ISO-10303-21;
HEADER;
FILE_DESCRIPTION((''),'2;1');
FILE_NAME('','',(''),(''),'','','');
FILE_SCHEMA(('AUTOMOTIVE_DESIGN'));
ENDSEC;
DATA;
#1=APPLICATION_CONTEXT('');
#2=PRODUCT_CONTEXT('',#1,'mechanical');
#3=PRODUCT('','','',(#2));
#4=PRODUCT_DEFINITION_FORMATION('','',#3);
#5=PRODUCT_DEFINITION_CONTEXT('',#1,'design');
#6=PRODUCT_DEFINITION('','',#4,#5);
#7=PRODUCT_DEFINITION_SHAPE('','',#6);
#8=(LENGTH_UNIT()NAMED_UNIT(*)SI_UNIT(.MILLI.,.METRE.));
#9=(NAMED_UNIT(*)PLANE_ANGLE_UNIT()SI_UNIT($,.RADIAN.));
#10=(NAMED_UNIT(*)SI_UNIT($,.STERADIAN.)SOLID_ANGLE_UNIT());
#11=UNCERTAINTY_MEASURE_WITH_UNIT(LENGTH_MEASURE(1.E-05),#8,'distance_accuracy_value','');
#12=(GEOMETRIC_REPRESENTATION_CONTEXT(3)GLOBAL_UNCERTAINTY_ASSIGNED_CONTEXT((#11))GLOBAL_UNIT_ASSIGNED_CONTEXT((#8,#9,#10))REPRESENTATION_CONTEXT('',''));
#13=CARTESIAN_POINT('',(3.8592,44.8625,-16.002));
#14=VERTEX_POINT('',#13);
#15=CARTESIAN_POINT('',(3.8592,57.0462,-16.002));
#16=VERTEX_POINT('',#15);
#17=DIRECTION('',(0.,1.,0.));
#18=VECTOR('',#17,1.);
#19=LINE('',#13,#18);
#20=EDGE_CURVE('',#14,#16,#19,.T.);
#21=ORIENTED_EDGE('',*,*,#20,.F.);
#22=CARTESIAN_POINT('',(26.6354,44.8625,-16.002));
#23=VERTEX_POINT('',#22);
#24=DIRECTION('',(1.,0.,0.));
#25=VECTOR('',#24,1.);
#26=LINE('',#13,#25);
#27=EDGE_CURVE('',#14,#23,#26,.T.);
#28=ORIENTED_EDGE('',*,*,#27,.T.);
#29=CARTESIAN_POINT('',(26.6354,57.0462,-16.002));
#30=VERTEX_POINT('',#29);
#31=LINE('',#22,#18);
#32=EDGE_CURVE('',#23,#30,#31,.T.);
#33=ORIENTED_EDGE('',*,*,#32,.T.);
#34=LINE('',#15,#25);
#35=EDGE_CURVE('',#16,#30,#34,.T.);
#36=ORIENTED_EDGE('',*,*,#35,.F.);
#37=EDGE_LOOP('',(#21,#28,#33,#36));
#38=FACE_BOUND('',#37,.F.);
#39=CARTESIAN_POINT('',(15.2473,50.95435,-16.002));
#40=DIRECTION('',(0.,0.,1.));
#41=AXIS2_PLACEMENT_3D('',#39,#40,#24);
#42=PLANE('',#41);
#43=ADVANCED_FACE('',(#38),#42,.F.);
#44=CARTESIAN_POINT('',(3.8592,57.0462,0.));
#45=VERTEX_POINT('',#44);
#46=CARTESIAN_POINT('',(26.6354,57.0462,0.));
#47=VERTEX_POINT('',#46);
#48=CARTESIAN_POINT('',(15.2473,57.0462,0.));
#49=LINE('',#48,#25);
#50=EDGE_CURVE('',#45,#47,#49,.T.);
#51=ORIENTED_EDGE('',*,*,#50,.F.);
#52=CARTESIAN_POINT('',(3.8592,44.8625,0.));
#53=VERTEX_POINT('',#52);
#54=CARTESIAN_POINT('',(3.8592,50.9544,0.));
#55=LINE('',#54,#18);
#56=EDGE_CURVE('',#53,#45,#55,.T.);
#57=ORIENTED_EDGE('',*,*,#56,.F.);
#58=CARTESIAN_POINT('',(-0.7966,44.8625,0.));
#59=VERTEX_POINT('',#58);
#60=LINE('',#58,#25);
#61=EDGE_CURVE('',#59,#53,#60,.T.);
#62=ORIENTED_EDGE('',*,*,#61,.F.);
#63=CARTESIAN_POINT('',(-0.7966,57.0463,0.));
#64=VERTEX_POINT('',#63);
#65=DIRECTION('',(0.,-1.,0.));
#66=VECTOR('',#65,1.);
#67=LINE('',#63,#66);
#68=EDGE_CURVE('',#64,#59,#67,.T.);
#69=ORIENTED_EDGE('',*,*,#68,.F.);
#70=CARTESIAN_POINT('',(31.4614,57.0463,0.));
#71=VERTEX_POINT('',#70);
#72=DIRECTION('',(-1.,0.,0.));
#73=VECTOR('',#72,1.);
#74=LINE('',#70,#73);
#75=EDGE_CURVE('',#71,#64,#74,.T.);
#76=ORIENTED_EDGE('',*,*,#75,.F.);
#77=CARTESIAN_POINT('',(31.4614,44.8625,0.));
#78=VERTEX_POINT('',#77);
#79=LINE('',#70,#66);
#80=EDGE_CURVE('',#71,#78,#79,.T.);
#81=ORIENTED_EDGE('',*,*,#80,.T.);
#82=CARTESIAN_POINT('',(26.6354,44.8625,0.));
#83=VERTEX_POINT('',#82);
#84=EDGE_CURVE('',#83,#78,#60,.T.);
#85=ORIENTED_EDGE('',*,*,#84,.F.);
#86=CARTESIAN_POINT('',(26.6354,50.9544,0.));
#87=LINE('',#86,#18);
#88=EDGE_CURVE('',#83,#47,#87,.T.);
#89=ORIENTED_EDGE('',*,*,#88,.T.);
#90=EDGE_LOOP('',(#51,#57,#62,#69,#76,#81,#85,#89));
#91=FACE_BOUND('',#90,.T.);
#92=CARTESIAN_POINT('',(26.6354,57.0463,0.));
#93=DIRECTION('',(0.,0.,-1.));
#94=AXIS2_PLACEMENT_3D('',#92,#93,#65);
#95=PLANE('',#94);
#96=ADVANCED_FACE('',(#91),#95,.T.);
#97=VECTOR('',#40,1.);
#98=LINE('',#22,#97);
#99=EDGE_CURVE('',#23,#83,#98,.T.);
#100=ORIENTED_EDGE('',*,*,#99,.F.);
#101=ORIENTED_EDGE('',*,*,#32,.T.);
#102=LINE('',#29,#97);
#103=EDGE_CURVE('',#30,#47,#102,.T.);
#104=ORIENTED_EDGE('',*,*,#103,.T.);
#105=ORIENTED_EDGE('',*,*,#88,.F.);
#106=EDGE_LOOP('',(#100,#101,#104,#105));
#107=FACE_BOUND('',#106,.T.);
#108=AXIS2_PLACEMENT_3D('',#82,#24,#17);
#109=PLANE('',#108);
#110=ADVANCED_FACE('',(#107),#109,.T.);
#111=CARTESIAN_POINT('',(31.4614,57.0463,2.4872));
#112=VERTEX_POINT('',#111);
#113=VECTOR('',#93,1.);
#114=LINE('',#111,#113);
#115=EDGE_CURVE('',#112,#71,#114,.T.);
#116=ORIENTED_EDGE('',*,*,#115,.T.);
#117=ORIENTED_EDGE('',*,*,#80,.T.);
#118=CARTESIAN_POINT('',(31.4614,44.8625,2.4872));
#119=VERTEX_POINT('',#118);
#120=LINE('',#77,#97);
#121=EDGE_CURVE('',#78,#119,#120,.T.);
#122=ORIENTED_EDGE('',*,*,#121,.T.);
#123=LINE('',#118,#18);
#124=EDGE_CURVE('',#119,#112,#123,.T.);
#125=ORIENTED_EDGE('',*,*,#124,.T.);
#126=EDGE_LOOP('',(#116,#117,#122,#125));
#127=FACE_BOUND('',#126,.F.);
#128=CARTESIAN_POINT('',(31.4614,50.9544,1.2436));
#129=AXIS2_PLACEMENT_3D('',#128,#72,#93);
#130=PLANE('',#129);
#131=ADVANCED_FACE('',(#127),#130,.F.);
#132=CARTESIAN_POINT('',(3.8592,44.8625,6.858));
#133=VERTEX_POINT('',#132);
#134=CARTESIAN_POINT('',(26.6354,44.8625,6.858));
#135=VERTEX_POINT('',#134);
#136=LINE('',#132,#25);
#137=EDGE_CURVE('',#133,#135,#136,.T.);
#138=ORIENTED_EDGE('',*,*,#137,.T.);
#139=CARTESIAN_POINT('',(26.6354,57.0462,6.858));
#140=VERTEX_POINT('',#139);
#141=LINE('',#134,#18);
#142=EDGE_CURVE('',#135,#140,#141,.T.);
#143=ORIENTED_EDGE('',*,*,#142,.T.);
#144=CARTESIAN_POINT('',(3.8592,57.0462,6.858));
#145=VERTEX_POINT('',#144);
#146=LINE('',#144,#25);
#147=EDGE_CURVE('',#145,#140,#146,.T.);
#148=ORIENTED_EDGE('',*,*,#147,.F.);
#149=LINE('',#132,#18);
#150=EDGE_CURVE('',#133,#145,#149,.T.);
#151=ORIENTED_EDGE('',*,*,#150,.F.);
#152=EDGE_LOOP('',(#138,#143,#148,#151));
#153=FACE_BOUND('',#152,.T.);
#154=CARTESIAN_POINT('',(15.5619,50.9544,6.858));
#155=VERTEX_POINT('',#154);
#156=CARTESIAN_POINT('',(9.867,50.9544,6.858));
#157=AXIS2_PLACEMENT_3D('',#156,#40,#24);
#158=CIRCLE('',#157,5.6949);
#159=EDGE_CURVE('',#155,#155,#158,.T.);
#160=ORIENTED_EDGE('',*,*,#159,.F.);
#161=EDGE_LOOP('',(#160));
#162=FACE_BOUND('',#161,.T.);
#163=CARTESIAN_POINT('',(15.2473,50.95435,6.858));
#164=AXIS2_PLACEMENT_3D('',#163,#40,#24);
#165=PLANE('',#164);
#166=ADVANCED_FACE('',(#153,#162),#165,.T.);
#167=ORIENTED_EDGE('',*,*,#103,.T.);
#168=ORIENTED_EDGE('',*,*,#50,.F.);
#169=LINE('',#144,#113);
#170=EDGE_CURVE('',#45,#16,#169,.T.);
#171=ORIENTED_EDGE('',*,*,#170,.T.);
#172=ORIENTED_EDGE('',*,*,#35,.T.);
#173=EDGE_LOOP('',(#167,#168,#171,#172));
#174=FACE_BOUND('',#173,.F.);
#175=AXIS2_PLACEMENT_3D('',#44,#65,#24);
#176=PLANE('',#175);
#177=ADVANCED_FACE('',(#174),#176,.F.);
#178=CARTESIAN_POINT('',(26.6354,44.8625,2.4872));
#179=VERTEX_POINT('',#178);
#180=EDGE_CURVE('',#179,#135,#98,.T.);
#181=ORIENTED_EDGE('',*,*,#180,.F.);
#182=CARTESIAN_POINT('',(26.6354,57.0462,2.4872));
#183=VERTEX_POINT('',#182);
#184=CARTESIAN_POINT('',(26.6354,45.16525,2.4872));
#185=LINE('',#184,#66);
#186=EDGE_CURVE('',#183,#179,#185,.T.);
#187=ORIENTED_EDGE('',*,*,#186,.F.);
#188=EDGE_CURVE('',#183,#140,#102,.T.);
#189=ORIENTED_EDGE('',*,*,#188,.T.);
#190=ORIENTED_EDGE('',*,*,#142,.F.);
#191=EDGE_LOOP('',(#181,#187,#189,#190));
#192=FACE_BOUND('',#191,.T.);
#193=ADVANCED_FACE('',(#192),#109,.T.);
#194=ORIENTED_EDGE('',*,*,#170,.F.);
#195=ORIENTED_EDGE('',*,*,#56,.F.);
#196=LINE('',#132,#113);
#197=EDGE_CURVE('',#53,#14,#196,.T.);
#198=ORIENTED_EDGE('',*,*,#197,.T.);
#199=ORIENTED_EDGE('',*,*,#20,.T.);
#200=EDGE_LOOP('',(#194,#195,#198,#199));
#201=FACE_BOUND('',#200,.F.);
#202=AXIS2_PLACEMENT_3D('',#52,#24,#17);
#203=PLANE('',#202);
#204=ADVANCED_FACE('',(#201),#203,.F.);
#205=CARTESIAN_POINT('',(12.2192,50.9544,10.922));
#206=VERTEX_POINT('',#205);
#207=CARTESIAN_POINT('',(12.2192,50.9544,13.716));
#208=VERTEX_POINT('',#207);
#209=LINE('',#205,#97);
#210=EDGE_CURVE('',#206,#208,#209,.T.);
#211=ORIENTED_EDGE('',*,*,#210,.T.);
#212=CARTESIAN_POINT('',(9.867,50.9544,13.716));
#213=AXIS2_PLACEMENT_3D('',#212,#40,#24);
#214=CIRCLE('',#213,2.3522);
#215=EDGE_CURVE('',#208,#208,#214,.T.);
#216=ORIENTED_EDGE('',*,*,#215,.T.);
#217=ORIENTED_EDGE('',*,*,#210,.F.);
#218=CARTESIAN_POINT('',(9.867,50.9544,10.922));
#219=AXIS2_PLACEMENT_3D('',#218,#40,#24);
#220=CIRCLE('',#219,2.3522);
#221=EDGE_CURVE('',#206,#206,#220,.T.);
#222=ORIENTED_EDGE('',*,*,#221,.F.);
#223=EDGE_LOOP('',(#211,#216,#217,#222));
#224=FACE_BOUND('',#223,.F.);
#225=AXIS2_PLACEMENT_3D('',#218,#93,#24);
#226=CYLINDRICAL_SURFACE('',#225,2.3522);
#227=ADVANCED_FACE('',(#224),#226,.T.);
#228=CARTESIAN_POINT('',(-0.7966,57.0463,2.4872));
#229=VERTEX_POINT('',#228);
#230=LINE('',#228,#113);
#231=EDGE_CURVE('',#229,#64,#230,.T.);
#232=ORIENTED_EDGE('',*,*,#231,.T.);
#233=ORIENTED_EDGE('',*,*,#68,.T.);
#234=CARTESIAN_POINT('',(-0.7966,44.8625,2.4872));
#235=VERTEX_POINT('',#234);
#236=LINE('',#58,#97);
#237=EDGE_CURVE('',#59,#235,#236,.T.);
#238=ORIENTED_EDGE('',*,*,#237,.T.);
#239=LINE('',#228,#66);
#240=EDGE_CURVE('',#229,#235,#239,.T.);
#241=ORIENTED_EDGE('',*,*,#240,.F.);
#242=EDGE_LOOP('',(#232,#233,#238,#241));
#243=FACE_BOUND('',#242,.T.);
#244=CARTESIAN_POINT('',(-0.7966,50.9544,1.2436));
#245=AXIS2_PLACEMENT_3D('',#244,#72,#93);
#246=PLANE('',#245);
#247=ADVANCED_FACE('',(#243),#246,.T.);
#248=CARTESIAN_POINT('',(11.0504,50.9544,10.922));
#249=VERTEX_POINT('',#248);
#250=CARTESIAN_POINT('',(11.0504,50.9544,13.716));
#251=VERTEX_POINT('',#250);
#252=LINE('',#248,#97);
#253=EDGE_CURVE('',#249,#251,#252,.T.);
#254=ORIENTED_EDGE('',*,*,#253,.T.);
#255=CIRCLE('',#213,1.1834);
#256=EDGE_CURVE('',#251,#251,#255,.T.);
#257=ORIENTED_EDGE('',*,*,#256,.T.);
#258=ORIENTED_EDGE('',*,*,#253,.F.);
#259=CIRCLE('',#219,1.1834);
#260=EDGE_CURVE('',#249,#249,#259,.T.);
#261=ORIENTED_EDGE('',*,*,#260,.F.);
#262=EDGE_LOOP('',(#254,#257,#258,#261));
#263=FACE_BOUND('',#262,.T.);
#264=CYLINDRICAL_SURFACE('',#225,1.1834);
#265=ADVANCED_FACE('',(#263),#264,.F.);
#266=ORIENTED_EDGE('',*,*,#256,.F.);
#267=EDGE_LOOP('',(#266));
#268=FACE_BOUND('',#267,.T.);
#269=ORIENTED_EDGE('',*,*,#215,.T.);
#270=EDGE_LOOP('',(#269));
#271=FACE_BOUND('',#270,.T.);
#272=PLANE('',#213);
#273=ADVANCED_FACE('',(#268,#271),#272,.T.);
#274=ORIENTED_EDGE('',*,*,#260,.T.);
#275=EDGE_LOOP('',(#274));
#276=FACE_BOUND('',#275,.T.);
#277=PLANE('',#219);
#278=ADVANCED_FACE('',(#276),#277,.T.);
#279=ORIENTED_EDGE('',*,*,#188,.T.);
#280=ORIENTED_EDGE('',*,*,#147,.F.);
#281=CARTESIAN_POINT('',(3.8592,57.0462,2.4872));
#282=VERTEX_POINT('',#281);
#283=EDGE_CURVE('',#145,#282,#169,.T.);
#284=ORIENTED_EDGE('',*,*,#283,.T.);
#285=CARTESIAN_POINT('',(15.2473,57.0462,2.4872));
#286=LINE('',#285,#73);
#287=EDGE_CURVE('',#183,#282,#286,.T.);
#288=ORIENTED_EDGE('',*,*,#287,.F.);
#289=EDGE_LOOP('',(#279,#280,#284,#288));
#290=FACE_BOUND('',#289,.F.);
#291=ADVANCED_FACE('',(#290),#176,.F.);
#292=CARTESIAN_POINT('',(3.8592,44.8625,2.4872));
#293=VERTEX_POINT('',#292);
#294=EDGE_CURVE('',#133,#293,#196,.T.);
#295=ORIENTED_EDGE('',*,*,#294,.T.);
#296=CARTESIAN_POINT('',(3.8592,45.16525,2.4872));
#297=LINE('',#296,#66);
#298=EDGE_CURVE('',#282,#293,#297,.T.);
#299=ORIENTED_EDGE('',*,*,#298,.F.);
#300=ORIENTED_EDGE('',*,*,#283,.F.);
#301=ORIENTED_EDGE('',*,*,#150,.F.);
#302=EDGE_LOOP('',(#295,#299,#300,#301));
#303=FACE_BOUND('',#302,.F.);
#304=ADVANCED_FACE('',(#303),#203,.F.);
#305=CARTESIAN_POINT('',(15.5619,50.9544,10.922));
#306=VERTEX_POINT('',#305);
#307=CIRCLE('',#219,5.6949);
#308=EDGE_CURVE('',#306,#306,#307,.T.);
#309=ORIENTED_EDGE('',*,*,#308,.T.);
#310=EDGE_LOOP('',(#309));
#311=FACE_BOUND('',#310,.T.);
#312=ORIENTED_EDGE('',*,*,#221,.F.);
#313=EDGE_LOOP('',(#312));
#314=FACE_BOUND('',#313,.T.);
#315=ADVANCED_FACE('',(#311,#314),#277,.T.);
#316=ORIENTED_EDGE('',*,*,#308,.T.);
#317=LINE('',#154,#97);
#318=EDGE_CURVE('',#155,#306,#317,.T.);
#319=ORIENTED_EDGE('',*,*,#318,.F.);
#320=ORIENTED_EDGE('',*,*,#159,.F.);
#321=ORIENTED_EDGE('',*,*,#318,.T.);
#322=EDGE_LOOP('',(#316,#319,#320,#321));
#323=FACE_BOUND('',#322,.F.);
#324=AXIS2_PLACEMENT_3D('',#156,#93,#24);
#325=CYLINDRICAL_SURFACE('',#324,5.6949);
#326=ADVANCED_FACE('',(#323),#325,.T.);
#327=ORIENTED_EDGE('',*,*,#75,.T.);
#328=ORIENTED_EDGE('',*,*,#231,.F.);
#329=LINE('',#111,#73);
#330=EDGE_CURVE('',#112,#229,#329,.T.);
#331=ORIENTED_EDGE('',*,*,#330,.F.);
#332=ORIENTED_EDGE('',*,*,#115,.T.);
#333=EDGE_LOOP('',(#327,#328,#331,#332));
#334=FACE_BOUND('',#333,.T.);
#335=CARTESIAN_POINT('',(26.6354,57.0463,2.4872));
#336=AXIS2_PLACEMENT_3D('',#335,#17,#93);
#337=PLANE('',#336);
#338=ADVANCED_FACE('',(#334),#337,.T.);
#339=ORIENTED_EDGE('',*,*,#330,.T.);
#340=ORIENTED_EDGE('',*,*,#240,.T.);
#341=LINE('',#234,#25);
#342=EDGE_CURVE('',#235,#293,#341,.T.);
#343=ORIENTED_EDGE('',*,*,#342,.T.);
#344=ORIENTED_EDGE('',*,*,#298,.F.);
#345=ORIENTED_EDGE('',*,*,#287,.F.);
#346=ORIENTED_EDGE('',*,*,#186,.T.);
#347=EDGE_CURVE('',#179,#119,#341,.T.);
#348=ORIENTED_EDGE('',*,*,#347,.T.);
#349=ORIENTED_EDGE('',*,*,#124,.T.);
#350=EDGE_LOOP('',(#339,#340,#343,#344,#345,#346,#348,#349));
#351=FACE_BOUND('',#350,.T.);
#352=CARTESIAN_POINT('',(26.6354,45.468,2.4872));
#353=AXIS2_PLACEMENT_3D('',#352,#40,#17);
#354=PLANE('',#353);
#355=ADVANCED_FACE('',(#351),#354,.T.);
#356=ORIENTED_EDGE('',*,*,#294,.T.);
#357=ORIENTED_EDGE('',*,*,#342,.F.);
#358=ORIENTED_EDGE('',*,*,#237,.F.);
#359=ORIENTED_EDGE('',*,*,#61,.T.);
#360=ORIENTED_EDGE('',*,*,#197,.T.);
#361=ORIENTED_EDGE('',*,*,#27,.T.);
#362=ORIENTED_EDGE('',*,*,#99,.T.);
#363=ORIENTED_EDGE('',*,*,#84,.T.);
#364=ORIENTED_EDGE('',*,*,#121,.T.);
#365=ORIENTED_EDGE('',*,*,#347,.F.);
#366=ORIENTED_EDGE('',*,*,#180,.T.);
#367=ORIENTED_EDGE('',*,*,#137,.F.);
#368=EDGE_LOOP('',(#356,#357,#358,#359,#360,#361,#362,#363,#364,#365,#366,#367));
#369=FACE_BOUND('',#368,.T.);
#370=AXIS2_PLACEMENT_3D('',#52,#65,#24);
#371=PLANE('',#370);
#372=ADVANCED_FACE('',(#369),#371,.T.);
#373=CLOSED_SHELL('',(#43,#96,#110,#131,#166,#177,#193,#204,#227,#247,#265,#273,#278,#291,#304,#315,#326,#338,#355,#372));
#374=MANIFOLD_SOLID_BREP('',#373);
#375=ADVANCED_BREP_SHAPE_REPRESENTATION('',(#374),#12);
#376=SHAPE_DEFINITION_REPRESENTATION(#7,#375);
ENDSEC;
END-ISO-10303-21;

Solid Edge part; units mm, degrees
sketch "Sketch1" plane through (0, 0, 0) normal (0, 0, 1) x (1, 0, 0)
  line L0 (3.8592, 44.8625) -> (26.6354, 44.8625)
  line L1 (26.6354, 44.8625) -> (26.6354, 57.0462)
  line L2 (3.8592, 57.0462) -> (26.6354, 57.0462)
  line L3 (3.8592, 44.8625) -> (3.8592, 57.0462)
extrude "Ajout_matière_1" add sketch "Sketch1" against normal blind 16.002 and the other way blind 6.858
sketch "Sketch2" plane through (26.6354, 50.9544, -4.572) normal (1, 0, 0) x (0, 1, 0)
  line L0 (-5.4864, 7.0592) -> (6.0919, 7.0592)
  line L1 (6.0919, 7.0592) -> (6.0919, 4.572)
  line L2 (6.0919, 4.572) -> (-6.0919, 4.572)
  line L3 (-6.0919, 4.572) -> (-6.0919, 7.0592)
  line L4 (-6.0919, 7.0592) -> (-5.4864, 7.0592)
extrude "Ajout_matière_2" add sketch "Sketch2" along normal blind 4.826 and the other way blind 27.432
sketch "Sketch3" plane through (15.2473, 50.9544, 6.858) normal (0, 0, 1) x (1, 0, 0)
  circle A0 centre (-5.3803, 0) radius 5.6949
extrude "Ajout_matière_3" add sketch "Sketch3" along normal blind 4.064
sketch "Sketch4" plane through (9.867, 50.9544, 10.922) normal (0, 0, 1) x (1, 0, 0)
  circle A0 centre (0, 0) radius 2.3522
  circle A1 centre (0, 0) radius 1.1834
extrude "Ajout_matière_4" add sketch "Sketch4" along normal blind 2.794
properties part number "AC_1.14"
